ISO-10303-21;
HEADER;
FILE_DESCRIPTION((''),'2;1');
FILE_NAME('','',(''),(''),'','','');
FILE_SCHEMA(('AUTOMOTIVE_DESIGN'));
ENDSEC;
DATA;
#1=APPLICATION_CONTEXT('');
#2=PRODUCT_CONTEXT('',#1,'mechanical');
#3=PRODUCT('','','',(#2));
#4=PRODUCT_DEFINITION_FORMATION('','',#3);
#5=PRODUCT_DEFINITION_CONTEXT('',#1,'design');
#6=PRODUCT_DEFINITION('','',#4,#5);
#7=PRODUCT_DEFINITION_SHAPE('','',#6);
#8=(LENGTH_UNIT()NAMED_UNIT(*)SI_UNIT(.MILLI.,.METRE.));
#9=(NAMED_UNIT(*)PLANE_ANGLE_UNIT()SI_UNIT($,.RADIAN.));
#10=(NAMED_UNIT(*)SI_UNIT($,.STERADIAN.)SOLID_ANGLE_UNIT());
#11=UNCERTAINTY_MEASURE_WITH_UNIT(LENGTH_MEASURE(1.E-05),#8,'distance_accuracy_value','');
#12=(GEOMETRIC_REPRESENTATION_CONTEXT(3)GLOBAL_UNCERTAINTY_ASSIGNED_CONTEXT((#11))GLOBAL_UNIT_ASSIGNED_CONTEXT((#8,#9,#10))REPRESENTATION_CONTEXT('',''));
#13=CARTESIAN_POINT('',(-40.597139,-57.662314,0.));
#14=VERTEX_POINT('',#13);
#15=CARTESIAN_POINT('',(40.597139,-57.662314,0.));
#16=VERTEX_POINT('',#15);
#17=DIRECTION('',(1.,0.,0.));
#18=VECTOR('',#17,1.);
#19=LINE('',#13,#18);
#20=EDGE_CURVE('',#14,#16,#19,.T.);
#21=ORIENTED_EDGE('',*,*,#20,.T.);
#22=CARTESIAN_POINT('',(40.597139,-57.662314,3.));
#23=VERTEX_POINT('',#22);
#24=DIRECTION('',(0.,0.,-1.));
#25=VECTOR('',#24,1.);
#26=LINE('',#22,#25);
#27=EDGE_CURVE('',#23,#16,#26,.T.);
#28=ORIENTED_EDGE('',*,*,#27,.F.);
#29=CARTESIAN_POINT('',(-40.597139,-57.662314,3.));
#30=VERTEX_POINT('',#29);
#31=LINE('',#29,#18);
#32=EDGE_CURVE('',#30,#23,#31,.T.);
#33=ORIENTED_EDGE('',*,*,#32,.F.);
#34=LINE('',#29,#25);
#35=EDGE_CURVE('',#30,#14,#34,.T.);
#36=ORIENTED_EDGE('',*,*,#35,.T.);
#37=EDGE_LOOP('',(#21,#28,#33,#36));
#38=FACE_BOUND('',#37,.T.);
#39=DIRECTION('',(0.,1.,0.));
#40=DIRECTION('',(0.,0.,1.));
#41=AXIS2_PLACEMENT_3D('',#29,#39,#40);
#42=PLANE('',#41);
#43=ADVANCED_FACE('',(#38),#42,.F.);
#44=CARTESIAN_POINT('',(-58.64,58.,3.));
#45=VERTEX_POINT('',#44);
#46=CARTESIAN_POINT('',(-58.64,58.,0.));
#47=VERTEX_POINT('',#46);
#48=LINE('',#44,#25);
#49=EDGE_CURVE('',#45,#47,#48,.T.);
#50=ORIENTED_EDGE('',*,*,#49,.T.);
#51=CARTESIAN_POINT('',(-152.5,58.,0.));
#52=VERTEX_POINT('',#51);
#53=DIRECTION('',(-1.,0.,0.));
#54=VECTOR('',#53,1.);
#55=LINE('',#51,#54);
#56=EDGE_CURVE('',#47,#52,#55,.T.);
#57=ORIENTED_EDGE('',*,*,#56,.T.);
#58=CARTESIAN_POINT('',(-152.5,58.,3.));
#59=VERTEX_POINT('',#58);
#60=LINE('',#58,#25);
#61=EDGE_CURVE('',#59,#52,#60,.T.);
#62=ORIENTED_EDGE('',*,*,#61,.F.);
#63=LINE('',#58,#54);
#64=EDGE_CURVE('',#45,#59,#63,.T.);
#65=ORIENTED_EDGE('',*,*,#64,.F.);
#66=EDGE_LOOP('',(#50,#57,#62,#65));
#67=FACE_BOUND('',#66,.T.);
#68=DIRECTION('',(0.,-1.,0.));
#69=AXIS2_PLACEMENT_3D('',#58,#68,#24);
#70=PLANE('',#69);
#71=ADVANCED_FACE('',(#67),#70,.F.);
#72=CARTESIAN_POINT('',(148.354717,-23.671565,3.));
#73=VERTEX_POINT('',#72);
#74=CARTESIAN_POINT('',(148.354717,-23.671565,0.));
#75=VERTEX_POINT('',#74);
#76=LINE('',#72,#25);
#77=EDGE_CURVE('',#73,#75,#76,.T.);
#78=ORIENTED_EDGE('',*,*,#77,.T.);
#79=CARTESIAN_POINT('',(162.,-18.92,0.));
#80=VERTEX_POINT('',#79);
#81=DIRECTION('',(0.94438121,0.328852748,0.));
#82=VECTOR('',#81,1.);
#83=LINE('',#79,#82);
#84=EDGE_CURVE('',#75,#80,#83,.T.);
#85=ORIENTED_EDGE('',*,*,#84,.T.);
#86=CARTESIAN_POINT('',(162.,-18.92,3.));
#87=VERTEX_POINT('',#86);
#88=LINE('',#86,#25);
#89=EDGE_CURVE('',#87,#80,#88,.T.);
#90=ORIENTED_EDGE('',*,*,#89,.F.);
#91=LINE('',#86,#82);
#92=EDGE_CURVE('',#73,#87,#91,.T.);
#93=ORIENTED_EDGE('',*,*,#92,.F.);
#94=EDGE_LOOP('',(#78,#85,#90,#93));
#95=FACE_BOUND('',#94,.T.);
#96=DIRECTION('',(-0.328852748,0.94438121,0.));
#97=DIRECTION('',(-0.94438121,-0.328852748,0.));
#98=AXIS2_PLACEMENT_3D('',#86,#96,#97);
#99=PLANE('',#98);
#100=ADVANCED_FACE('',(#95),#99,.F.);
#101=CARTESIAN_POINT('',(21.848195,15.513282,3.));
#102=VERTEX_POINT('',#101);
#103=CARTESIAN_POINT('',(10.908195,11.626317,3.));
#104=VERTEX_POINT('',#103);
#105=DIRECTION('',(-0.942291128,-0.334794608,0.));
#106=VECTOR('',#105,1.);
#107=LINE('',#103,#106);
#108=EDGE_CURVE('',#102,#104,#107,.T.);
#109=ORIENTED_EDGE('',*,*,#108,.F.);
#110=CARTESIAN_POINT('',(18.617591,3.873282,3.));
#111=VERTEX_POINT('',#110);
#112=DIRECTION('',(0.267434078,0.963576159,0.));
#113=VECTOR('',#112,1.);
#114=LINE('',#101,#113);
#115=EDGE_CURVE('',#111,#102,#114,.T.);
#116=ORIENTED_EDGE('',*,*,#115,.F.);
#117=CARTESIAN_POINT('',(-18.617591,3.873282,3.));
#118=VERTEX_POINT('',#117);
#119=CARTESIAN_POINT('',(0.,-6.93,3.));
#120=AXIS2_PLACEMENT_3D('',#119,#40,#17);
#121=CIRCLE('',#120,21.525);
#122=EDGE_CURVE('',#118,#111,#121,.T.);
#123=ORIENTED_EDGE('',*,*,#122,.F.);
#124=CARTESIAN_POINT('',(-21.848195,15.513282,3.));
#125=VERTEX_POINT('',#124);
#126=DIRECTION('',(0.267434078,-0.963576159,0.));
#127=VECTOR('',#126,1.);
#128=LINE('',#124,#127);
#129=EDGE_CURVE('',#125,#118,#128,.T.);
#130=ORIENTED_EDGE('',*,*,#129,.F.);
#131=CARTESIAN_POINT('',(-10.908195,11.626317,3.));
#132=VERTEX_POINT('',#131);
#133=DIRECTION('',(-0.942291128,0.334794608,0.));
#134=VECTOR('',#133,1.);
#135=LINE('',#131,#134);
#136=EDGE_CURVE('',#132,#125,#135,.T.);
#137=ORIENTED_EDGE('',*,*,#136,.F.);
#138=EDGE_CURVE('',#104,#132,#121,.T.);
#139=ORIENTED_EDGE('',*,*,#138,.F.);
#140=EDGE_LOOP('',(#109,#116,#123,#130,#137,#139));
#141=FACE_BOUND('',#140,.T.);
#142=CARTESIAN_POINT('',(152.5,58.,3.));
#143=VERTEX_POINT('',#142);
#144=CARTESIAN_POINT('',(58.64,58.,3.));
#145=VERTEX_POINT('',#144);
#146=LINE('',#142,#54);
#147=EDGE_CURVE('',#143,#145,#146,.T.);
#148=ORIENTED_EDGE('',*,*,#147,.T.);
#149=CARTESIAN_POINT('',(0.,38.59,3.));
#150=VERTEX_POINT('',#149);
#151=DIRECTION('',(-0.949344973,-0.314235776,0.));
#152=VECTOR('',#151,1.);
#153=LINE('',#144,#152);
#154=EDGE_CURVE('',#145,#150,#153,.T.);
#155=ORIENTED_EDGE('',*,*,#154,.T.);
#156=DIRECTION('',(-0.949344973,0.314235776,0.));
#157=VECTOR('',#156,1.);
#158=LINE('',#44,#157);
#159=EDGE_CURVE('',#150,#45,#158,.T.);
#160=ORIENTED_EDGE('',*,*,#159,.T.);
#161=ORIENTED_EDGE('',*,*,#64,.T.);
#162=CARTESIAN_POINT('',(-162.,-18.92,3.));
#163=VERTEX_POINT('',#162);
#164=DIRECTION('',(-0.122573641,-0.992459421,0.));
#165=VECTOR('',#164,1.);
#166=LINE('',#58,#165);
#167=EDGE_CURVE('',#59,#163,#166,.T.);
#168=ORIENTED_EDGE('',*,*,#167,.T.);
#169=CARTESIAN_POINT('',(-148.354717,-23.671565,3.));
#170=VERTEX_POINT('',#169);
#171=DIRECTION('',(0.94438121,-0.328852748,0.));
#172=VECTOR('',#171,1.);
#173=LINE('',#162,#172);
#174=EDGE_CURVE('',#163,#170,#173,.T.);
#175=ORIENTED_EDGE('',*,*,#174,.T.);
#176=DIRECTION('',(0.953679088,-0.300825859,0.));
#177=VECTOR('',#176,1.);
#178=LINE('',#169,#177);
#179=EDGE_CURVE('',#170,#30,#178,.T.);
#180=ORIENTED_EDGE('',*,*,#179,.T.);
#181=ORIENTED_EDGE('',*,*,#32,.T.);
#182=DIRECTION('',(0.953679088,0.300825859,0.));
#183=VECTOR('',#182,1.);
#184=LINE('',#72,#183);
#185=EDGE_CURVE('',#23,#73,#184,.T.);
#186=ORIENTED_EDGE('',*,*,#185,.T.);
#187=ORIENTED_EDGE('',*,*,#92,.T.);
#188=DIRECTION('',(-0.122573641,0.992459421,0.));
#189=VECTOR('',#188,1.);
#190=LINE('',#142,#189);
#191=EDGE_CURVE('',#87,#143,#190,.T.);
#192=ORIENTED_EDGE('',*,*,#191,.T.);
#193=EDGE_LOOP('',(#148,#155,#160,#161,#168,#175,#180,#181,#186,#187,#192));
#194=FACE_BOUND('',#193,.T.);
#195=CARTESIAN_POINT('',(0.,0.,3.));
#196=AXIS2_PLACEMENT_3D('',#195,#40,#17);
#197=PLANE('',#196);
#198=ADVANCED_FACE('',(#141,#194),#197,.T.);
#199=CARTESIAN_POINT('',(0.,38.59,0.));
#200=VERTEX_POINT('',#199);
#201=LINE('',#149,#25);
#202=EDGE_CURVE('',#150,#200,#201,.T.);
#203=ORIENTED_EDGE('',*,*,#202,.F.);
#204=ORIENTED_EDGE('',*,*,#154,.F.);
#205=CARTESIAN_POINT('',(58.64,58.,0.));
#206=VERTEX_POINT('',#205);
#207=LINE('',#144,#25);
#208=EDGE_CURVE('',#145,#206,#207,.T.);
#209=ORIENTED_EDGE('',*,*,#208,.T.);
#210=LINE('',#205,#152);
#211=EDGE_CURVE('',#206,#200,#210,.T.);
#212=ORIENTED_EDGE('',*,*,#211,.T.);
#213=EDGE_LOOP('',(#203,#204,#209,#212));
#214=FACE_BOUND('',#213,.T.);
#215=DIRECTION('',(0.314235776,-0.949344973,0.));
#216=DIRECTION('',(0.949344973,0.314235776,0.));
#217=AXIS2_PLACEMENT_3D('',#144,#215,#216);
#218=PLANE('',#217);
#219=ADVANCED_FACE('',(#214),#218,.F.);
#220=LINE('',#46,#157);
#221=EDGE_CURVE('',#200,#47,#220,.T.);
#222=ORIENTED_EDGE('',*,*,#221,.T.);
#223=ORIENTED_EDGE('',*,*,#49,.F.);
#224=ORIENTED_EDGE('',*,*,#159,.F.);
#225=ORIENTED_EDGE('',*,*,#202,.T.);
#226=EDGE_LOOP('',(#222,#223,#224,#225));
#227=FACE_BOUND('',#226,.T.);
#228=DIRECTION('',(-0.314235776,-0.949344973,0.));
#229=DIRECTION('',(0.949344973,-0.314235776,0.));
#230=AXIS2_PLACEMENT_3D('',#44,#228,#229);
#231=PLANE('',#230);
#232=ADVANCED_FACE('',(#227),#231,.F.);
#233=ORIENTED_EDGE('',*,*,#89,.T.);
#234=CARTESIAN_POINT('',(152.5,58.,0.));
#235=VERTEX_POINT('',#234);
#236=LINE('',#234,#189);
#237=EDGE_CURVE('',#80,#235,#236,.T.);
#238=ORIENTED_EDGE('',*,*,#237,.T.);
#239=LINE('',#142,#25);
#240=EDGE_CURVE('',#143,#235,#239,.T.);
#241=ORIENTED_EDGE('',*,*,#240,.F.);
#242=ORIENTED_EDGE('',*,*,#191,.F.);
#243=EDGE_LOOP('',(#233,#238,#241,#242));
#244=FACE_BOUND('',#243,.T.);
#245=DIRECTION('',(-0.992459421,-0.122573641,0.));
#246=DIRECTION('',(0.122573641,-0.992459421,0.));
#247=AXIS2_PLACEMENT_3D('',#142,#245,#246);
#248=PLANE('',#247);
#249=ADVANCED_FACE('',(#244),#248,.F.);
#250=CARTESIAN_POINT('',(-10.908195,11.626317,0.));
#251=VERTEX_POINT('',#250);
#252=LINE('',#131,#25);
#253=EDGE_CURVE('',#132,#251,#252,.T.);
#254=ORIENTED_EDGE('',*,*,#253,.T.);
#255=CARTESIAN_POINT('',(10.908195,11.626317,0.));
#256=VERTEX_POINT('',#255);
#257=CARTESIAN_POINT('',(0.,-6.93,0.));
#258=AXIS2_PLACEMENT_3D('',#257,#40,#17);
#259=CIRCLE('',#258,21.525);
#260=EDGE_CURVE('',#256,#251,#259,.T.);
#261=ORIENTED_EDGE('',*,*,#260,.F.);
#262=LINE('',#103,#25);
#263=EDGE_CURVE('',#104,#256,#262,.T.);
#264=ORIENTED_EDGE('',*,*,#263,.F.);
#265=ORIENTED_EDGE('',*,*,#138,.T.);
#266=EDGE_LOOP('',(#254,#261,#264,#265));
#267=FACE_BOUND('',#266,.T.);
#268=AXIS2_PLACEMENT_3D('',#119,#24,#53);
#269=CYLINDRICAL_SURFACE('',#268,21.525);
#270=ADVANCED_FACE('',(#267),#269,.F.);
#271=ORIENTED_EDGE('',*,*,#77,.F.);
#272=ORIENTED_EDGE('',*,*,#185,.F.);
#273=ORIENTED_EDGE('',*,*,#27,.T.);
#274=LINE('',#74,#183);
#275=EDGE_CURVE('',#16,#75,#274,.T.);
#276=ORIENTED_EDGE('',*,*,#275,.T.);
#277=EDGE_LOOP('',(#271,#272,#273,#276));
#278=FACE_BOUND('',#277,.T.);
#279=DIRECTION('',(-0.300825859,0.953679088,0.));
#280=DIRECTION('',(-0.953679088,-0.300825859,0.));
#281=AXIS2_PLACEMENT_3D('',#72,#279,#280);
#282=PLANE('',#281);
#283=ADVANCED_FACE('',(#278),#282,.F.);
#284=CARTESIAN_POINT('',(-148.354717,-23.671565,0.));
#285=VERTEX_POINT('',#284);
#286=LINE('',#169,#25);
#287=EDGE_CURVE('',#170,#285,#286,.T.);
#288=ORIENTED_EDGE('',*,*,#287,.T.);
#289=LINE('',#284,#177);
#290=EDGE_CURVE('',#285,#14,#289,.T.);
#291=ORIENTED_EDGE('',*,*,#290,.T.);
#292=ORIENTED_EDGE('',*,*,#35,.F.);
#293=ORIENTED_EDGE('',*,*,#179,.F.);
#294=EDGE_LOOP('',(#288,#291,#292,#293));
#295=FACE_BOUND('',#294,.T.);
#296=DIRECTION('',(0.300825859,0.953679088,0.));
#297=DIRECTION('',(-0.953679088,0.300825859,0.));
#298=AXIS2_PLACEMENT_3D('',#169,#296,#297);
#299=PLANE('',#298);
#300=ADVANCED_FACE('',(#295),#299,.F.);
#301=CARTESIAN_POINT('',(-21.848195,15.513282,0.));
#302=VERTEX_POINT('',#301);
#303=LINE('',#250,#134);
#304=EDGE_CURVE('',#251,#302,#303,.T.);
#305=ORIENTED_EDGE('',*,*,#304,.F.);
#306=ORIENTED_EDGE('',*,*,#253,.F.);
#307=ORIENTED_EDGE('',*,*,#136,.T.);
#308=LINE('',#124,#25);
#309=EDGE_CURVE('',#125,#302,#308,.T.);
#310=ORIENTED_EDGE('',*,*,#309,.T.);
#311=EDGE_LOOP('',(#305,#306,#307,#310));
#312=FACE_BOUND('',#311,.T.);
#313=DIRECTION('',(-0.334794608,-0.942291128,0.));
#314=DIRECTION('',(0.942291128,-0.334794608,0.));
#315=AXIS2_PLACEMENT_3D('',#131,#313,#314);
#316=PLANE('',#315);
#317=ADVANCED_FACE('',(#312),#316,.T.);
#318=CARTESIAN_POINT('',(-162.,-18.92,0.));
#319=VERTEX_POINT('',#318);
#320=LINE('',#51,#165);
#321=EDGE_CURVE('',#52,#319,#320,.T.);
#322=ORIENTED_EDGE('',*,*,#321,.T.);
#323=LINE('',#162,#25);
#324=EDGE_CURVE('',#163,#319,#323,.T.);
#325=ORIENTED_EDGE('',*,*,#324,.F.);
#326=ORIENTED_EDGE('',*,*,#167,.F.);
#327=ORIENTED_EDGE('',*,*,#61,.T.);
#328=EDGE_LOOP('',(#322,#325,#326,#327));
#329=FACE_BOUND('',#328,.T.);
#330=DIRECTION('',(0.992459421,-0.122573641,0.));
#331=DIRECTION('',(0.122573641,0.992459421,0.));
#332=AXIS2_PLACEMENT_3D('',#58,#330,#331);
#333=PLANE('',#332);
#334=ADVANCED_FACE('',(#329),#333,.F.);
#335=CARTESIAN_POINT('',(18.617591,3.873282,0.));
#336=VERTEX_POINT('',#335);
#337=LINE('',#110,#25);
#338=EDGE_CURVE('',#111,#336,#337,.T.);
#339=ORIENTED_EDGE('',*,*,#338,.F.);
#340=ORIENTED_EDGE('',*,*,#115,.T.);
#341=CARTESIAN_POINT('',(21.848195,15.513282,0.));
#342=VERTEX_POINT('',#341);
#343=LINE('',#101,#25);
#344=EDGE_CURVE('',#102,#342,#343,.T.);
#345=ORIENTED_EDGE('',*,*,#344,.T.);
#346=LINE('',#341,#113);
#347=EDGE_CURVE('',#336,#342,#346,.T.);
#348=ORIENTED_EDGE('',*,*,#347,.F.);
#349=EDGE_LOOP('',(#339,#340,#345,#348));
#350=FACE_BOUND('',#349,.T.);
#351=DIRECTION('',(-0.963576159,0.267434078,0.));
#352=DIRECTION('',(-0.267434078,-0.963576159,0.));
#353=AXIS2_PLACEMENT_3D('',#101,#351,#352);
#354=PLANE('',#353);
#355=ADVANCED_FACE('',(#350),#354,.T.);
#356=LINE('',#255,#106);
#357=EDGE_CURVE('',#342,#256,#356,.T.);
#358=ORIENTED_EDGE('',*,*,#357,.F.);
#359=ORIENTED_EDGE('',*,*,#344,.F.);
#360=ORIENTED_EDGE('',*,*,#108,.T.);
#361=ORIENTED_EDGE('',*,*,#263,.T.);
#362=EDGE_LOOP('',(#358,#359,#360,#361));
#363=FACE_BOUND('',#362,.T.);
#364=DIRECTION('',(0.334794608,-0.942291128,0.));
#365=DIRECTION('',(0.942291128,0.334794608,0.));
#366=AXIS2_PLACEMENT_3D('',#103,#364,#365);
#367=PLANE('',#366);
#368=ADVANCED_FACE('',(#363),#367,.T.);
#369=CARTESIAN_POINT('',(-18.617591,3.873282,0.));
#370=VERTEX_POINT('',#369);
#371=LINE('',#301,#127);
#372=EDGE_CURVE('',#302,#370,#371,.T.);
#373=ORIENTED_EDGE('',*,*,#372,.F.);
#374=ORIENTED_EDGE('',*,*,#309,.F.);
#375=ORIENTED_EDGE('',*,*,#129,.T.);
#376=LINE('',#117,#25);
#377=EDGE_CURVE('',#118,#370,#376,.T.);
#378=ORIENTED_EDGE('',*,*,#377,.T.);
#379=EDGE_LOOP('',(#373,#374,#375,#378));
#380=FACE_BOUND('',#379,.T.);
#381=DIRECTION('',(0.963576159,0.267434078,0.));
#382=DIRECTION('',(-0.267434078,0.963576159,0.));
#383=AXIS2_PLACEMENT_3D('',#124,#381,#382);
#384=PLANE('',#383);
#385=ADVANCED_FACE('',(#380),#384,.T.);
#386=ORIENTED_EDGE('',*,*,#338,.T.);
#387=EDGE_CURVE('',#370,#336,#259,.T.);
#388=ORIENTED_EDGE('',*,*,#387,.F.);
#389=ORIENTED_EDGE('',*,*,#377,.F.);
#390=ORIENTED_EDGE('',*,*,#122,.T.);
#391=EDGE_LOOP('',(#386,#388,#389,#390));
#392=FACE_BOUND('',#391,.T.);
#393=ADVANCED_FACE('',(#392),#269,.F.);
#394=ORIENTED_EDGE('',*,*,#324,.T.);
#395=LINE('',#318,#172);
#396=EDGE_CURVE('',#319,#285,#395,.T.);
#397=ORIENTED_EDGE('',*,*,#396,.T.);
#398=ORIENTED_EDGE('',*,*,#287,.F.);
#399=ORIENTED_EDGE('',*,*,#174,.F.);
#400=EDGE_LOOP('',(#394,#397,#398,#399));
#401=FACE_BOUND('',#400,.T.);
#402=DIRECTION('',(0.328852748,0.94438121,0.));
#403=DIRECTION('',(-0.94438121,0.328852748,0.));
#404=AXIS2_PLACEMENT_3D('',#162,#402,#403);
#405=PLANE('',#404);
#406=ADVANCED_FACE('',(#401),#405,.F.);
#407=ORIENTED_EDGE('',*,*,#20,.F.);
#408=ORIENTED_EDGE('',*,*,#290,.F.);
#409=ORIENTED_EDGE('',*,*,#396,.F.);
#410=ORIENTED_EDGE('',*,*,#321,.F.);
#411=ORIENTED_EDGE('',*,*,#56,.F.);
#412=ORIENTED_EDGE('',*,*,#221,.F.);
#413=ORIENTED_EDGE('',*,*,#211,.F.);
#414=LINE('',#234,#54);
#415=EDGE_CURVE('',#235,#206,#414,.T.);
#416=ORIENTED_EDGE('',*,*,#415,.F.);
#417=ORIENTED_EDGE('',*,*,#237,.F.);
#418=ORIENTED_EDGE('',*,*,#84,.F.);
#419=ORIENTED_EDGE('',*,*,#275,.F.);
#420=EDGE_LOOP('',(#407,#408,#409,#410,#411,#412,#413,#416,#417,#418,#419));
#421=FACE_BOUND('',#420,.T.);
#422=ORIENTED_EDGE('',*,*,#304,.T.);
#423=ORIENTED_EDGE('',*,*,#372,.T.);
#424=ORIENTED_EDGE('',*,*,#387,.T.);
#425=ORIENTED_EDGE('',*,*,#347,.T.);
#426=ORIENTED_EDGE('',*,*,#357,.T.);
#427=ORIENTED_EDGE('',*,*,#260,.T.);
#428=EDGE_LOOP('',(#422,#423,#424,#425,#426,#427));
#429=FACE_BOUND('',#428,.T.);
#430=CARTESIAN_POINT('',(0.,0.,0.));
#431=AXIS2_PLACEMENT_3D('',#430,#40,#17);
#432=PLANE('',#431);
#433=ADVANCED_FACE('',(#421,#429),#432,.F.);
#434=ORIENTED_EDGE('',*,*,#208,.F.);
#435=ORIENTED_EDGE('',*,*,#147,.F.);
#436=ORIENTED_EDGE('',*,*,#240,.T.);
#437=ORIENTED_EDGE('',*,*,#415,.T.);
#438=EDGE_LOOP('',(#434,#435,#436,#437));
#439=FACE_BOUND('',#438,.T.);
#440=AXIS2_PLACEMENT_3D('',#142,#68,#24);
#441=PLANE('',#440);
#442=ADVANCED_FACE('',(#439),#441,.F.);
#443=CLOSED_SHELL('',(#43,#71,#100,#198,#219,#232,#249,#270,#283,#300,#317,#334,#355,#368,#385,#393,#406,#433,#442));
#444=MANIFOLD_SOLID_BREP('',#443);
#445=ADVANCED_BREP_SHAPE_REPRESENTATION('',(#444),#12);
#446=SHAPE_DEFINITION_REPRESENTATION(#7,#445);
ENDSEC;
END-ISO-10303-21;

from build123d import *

# Parameters (mm, degrees)
EXTRUDE_1_DEPTH = 3


with BuildPart() as part:
    # Sketch 273 → Бобышка-Вытянуть1 (new body)
    with BuildSketch(Plane.XY):
        Polygon((148.354716995, -23.671565122), (40.597138959, -57.662313559), (-40.597138959, -57.662313559), (-148.354716995, -23.671565122), (-162, -18.92), (-152.5, 58), (-58.64, 58), (0, 38.59), (58.64, 58), (152.5, 58), (162, -18.92), align=None)
        with BuildLine():
            Line((-10.908195141, 11.626317085), (-21.848195141, 15.513282482))
            Line((-21.848195141, 15.513282482), (-18.617591482, 3.873282482))
            ThreePointArc((-18.617591482, 3.873282482), (0, -28.455), (18.617591482, 3.873282482))
            Line((18.617591482, 3.873282482), (21.848195141, 15.513282482))
            Line((21.848195141, 15.513282482), (10.908195141, 11.626317085))
            ThreePointArc((10.908195141, 11.626317085), (0, 14.595), (-10.908195141, 11.626317085))
        make_face(mode=Mode.SUBTRACT)
    extrude(amount=EXTRUDE_1_DEPTH)


solid = part.part
